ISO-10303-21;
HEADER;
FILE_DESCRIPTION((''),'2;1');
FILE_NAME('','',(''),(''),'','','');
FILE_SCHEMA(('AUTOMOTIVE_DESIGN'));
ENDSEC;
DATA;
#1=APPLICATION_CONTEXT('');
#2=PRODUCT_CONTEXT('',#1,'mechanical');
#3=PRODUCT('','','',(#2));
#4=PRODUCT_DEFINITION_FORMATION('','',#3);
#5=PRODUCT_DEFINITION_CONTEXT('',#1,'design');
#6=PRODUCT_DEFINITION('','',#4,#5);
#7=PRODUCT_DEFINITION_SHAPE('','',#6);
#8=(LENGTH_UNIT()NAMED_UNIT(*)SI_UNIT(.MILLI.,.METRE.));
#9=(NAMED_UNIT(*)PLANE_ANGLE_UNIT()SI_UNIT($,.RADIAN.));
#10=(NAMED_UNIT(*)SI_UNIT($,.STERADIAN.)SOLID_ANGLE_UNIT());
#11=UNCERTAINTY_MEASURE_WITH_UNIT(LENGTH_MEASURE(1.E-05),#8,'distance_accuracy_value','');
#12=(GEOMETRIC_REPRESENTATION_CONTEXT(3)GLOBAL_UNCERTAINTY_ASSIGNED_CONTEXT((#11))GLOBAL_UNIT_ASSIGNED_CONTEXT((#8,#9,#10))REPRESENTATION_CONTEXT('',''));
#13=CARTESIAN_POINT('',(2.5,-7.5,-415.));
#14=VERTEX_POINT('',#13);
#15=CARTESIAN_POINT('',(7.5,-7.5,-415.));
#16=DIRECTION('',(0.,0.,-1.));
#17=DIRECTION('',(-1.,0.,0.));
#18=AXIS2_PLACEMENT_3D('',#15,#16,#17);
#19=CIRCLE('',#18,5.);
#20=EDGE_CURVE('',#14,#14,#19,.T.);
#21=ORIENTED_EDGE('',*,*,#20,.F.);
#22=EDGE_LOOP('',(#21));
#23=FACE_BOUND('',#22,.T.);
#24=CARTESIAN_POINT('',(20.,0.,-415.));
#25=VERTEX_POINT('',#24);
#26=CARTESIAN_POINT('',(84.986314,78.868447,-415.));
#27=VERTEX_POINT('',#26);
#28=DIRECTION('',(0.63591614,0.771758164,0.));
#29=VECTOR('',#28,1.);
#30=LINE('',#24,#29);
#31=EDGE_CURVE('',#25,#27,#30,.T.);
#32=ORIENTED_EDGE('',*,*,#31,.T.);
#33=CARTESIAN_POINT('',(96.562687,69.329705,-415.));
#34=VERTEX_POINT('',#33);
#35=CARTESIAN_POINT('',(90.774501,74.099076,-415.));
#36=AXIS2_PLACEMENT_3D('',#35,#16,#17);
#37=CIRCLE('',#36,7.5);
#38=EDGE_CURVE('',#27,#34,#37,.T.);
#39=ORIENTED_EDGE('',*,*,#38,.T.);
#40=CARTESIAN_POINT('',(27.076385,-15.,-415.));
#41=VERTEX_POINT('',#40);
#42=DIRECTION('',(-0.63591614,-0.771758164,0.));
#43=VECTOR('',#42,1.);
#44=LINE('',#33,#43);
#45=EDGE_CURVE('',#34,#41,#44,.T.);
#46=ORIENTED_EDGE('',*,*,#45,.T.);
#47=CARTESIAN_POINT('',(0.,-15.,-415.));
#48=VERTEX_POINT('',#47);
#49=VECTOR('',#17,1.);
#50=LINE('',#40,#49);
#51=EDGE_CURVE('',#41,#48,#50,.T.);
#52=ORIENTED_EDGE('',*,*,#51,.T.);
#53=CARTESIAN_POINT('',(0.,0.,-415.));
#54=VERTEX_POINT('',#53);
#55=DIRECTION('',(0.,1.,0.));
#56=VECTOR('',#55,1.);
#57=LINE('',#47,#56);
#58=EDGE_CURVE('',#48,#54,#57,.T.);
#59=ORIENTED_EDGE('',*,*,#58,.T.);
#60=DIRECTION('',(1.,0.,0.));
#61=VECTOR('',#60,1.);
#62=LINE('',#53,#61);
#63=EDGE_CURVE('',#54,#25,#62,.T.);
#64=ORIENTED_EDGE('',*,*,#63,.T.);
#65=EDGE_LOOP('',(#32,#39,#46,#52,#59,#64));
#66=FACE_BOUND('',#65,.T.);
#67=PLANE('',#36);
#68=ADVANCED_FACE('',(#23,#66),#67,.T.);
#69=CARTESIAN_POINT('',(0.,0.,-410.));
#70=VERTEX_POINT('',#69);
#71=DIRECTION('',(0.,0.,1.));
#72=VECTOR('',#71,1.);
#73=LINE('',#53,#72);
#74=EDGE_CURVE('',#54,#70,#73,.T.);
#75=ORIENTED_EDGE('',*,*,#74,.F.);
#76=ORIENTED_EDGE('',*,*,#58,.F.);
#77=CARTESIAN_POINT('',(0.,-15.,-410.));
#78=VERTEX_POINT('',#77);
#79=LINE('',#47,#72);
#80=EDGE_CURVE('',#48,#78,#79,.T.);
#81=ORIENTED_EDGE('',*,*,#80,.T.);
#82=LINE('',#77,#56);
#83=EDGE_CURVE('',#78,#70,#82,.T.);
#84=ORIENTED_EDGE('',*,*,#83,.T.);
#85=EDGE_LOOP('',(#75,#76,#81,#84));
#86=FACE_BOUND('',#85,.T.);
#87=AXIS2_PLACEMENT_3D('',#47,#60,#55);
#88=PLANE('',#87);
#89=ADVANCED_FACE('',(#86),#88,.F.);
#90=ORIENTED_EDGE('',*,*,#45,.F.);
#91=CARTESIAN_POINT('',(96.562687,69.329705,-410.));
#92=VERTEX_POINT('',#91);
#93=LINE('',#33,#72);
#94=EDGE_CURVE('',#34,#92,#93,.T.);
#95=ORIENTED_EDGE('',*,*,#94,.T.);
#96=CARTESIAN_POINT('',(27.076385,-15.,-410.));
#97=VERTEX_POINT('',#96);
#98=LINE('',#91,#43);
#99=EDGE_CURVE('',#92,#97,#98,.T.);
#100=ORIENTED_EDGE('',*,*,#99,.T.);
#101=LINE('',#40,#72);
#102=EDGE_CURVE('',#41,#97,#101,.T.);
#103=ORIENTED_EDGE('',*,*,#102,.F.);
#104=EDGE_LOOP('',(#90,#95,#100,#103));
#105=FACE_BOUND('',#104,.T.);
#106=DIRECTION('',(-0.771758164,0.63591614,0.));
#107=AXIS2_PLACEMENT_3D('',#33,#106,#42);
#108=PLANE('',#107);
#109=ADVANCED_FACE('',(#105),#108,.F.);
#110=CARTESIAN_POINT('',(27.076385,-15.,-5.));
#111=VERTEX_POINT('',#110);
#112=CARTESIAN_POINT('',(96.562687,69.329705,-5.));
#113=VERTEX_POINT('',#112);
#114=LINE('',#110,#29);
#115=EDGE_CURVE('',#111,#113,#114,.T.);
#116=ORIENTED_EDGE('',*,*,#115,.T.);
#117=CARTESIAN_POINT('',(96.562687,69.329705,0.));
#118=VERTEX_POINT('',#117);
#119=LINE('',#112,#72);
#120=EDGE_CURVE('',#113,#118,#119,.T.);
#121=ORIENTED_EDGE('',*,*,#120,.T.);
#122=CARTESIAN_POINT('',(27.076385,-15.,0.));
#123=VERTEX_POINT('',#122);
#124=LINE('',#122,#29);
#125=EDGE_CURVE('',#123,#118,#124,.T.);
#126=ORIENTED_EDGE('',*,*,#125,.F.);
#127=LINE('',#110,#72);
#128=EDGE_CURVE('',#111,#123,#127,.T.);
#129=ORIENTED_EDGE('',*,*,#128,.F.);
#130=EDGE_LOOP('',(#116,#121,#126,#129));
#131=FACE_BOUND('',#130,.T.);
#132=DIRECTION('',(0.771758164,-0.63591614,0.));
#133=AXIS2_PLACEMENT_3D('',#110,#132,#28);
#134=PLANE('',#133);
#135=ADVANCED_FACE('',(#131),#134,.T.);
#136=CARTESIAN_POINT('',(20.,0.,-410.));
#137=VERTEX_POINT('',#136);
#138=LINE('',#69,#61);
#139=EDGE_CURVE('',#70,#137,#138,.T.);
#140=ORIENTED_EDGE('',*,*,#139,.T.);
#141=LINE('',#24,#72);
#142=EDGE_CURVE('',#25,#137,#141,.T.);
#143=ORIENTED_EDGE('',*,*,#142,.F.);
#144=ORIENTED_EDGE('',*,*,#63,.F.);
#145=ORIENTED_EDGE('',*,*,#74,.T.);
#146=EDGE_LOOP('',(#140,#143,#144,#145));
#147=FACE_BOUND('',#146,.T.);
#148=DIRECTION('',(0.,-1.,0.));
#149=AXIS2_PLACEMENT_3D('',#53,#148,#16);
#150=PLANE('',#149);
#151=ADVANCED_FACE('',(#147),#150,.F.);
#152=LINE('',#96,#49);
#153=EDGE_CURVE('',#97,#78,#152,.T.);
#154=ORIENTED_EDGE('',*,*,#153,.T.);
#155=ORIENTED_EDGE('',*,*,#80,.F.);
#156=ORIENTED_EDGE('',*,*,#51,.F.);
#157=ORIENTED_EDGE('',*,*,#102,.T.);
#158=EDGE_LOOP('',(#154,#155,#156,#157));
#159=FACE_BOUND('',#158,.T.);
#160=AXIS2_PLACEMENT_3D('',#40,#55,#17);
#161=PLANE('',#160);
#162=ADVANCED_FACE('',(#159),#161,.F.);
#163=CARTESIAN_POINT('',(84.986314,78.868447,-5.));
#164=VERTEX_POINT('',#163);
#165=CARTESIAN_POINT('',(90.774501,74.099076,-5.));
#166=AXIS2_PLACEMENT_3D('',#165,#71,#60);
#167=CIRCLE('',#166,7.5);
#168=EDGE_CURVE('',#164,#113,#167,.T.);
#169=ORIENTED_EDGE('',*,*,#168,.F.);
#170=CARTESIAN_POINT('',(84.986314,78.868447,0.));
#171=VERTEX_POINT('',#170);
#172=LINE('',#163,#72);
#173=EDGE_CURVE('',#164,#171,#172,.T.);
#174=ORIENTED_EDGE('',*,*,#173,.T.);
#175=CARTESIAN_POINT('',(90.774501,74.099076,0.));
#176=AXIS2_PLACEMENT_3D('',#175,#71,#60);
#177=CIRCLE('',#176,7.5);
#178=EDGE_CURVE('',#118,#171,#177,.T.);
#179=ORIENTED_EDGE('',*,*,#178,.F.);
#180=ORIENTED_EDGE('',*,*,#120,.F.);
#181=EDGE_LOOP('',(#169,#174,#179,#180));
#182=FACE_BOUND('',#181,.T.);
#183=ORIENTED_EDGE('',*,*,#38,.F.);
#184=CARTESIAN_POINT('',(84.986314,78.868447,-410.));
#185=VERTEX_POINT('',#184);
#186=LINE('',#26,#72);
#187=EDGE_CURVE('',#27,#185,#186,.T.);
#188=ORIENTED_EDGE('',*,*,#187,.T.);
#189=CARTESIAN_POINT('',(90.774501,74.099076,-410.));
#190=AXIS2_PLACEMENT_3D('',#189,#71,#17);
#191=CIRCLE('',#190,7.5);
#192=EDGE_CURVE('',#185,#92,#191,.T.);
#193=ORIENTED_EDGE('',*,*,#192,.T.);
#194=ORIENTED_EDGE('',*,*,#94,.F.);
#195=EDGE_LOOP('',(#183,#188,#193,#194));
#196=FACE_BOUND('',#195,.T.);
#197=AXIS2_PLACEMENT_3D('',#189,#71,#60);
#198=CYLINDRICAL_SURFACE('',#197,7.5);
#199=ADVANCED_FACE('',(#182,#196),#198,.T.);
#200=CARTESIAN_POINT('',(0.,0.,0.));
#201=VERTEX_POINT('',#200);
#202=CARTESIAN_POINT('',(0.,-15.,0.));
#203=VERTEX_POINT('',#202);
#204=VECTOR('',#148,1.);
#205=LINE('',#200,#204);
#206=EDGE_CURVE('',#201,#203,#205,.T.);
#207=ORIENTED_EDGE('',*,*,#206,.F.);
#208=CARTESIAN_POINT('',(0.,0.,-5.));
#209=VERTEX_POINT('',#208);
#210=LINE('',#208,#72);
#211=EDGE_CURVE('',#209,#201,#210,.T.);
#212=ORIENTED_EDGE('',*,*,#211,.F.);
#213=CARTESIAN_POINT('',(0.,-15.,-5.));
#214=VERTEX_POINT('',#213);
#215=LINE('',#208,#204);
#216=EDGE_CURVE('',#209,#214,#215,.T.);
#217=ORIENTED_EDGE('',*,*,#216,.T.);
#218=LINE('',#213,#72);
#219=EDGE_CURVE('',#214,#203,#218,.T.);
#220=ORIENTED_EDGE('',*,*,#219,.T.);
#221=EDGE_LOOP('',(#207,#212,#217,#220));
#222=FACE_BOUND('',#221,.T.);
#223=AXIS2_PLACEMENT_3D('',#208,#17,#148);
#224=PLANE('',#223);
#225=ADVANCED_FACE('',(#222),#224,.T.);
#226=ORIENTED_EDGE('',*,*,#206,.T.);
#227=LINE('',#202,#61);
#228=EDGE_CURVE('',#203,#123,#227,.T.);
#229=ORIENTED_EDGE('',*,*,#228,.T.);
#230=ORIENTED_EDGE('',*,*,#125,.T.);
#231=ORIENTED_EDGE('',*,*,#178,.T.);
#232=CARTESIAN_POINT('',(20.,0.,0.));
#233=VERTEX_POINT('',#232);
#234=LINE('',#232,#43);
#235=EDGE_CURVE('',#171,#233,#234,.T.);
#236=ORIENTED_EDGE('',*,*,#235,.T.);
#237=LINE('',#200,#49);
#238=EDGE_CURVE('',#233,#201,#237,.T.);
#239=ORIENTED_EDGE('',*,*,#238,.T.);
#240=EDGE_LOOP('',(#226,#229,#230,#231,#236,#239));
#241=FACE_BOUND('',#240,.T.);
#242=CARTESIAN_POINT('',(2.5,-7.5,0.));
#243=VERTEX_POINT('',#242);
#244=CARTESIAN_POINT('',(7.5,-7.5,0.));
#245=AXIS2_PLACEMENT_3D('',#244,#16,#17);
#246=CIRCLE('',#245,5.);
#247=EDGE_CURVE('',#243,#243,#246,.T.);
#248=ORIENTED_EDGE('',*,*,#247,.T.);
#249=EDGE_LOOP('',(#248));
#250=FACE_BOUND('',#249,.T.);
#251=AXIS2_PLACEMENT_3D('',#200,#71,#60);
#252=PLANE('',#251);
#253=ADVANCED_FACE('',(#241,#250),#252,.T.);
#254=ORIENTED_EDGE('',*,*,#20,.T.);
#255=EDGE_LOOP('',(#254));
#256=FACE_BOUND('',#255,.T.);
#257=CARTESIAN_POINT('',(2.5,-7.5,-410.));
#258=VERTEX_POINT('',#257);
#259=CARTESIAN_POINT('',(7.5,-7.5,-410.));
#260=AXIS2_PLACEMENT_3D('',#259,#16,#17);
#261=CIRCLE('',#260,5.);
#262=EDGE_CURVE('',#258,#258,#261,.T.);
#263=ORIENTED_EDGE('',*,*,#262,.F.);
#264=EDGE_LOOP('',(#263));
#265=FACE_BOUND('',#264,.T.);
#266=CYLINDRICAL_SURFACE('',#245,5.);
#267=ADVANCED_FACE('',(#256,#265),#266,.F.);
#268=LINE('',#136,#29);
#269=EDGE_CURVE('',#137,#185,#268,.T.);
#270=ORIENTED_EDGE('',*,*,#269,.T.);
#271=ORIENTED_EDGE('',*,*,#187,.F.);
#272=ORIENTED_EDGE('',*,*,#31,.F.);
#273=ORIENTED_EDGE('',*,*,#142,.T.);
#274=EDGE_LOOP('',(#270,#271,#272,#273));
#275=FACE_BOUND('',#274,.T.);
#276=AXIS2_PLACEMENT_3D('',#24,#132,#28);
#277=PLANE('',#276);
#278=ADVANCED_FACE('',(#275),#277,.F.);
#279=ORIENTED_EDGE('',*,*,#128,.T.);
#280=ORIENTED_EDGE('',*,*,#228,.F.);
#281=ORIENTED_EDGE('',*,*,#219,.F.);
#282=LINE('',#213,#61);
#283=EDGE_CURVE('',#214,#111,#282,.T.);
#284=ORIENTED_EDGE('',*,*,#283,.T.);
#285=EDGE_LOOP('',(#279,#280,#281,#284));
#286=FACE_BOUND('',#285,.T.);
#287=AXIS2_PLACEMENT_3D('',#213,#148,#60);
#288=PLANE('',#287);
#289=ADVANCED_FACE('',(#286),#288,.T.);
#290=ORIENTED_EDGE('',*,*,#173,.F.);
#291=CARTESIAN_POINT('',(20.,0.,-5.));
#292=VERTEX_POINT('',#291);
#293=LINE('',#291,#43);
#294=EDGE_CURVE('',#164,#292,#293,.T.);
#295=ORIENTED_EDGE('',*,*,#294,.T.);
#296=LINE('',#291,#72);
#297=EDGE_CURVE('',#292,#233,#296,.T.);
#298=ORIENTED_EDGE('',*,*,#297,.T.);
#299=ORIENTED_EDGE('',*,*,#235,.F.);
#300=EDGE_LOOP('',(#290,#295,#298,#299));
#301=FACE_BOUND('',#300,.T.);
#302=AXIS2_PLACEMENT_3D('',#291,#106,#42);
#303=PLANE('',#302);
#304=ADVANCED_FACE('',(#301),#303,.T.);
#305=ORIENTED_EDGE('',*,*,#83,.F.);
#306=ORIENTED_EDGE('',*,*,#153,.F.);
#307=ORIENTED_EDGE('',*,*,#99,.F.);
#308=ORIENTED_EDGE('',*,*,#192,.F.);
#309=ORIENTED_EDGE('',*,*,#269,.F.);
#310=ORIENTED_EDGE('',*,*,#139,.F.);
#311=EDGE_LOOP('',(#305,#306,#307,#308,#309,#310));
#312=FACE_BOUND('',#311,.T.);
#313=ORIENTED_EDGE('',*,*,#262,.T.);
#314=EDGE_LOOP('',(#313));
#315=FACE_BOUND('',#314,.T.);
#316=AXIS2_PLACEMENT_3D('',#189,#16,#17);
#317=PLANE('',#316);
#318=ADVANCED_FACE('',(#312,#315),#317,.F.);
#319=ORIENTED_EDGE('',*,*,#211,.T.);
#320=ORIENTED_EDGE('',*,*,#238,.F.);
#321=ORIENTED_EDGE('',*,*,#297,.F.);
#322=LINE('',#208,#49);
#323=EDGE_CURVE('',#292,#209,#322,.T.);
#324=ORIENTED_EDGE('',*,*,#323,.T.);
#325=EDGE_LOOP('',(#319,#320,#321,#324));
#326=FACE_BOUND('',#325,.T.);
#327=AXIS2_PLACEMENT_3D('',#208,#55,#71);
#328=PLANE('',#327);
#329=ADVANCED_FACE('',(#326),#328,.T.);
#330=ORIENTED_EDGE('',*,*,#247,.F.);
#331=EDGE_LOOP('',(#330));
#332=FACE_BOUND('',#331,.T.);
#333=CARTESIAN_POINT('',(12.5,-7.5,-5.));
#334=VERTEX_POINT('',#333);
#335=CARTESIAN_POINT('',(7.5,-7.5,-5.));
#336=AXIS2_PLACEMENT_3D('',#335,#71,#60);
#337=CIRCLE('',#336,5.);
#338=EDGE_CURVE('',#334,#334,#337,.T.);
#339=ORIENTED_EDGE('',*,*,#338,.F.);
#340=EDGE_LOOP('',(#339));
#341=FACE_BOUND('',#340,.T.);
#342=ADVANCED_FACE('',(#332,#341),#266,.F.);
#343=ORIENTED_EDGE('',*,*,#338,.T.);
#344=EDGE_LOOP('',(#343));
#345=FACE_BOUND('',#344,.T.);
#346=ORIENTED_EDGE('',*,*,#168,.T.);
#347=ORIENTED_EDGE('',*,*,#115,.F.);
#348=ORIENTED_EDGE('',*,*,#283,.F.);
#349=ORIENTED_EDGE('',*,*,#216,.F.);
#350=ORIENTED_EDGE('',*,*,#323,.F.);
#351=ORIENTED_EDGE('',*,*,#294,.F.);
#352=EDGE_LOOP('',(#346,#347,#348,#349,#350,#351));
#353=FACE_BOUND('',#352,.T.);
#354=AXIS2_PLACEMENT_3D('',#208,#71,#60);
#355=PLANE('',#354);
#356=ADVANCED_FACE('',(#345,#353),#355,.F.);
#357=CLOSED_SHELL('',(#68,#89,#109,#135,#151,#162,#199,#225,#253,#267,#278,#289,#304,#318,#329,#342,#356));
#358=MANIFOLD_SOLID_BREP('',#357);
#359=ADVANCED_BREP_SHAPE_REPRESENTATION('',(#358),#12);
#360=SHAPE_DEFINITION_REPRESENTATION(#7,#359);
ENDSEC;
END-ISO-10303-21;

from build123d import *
from build123d.topology import SkipClean

# Parameters (mm, degrees)
BOSS_EXTRUDE1_DEPTH     = 5
SKETCH2_R               = 7.5
BOSS_EXTRUDE2_DEPTH     = 410
BOSS_EXTRUDE3_DEPTH     = 5
SKETCH4_R               = 7.5
BOSS_EXTRUDE4_DEPTH     = 5
CUT_EXTRUDE1_DEPTH      = 435.21341148
CUT_EXTRUDE1_DEPTH_BACK = 435.21341148
SKETCH5_R               = 5


with BuildPart() as part:
    # Sketch1 → Boss-Extrude1 (new body)
    with BuildSketch(Plane.XY):
        Polygon((0, 0), (20, 0), (84.986314287, 78.868447374), (96.562686745, 69.329705281), (27.076385016, -15), (0, -15), align=None)
    extrude(amount=-BOSS_EXTRUDE1_DEPTH)

    # Sketch2 → Boss-Extrude2 (add)
    with BuildSketch(Plane.XY):
        with Locations((90.774500516, 74.099076328)):
            Circle(SKETCH2_R)
    extrude(amount=-BOSS_EXTRUDE2_DEPTH)



with BuildPart() as body_2:
    # Sketch3 → Boss-Extrude3 (new body)
    with BuildSketch(Plane(origin=(0, 0, -410), x_dir=(-1, 0, 0), z_dir=(0, 0, -1))):
        with BuildLine():
            Line((-20, 0), (-84.986314287, 78.868447374))
            ThreePointArc((-84.986314287, 78.868447374), (-86.005129469, 68.310890099), (-96.562686745, 69.329705281))
            Line((-96.562686745, 69.329705281), (-27.076385016, -15))
            Line((-27.076385016, -15), (0, -15))
            Line((0, -15), (0, 0))
            Line((0, 0), (-20, 0))
        make_face()
    extrude(amount=BOSS_EXTRUDE3_DEPTH)


with BuildPart() as part_1:
    with SkipClean():  # the faces are left unmerged after this step: merging them gives an invalid solid
        add(part.part)

        add(body_2.part)  # Boss-Extrude4 merges body 2
        # Sketch4 → Boss-Extrude4 (add)
        with BuildSketch(Plane(origin=(0, 0, -410), x_dir=(-1, 0, 0), z_dir=(0, 0, -1))):
            with Locations(Location((-90.774500516, 74.099076328, 0), (0, 0, 219.487965992))):
                Circle(SKETCH4_R)
        extrude(amount=BOSS_EXTRUDE4_DEPTH)

    # Sketch5 → Cut-Extrude1 (cut, two sides: drawn at the far end of the back side and taken through both)
    with SkipClean():  # the faces are left unmerged after this step: merging them gives an invalid solid
        with BuildSketch(Plane(origin=(0, 0, -415), x_dir=(-1, 0, 0), z_dir=(0, 0, -1)).offset(-CUT_EXTRUDE1_DEPTH_BACK)):
            with Locations((-7.5, -7.5)):
                Circle(SKETCH5_R)
        extrude(amount=CUT_EXTRUDE1_DEPTH + CUT_EXTRUDE1_DEPTH_BACK, mode=Mode.SUBTRACT)


solid = part_1.part
